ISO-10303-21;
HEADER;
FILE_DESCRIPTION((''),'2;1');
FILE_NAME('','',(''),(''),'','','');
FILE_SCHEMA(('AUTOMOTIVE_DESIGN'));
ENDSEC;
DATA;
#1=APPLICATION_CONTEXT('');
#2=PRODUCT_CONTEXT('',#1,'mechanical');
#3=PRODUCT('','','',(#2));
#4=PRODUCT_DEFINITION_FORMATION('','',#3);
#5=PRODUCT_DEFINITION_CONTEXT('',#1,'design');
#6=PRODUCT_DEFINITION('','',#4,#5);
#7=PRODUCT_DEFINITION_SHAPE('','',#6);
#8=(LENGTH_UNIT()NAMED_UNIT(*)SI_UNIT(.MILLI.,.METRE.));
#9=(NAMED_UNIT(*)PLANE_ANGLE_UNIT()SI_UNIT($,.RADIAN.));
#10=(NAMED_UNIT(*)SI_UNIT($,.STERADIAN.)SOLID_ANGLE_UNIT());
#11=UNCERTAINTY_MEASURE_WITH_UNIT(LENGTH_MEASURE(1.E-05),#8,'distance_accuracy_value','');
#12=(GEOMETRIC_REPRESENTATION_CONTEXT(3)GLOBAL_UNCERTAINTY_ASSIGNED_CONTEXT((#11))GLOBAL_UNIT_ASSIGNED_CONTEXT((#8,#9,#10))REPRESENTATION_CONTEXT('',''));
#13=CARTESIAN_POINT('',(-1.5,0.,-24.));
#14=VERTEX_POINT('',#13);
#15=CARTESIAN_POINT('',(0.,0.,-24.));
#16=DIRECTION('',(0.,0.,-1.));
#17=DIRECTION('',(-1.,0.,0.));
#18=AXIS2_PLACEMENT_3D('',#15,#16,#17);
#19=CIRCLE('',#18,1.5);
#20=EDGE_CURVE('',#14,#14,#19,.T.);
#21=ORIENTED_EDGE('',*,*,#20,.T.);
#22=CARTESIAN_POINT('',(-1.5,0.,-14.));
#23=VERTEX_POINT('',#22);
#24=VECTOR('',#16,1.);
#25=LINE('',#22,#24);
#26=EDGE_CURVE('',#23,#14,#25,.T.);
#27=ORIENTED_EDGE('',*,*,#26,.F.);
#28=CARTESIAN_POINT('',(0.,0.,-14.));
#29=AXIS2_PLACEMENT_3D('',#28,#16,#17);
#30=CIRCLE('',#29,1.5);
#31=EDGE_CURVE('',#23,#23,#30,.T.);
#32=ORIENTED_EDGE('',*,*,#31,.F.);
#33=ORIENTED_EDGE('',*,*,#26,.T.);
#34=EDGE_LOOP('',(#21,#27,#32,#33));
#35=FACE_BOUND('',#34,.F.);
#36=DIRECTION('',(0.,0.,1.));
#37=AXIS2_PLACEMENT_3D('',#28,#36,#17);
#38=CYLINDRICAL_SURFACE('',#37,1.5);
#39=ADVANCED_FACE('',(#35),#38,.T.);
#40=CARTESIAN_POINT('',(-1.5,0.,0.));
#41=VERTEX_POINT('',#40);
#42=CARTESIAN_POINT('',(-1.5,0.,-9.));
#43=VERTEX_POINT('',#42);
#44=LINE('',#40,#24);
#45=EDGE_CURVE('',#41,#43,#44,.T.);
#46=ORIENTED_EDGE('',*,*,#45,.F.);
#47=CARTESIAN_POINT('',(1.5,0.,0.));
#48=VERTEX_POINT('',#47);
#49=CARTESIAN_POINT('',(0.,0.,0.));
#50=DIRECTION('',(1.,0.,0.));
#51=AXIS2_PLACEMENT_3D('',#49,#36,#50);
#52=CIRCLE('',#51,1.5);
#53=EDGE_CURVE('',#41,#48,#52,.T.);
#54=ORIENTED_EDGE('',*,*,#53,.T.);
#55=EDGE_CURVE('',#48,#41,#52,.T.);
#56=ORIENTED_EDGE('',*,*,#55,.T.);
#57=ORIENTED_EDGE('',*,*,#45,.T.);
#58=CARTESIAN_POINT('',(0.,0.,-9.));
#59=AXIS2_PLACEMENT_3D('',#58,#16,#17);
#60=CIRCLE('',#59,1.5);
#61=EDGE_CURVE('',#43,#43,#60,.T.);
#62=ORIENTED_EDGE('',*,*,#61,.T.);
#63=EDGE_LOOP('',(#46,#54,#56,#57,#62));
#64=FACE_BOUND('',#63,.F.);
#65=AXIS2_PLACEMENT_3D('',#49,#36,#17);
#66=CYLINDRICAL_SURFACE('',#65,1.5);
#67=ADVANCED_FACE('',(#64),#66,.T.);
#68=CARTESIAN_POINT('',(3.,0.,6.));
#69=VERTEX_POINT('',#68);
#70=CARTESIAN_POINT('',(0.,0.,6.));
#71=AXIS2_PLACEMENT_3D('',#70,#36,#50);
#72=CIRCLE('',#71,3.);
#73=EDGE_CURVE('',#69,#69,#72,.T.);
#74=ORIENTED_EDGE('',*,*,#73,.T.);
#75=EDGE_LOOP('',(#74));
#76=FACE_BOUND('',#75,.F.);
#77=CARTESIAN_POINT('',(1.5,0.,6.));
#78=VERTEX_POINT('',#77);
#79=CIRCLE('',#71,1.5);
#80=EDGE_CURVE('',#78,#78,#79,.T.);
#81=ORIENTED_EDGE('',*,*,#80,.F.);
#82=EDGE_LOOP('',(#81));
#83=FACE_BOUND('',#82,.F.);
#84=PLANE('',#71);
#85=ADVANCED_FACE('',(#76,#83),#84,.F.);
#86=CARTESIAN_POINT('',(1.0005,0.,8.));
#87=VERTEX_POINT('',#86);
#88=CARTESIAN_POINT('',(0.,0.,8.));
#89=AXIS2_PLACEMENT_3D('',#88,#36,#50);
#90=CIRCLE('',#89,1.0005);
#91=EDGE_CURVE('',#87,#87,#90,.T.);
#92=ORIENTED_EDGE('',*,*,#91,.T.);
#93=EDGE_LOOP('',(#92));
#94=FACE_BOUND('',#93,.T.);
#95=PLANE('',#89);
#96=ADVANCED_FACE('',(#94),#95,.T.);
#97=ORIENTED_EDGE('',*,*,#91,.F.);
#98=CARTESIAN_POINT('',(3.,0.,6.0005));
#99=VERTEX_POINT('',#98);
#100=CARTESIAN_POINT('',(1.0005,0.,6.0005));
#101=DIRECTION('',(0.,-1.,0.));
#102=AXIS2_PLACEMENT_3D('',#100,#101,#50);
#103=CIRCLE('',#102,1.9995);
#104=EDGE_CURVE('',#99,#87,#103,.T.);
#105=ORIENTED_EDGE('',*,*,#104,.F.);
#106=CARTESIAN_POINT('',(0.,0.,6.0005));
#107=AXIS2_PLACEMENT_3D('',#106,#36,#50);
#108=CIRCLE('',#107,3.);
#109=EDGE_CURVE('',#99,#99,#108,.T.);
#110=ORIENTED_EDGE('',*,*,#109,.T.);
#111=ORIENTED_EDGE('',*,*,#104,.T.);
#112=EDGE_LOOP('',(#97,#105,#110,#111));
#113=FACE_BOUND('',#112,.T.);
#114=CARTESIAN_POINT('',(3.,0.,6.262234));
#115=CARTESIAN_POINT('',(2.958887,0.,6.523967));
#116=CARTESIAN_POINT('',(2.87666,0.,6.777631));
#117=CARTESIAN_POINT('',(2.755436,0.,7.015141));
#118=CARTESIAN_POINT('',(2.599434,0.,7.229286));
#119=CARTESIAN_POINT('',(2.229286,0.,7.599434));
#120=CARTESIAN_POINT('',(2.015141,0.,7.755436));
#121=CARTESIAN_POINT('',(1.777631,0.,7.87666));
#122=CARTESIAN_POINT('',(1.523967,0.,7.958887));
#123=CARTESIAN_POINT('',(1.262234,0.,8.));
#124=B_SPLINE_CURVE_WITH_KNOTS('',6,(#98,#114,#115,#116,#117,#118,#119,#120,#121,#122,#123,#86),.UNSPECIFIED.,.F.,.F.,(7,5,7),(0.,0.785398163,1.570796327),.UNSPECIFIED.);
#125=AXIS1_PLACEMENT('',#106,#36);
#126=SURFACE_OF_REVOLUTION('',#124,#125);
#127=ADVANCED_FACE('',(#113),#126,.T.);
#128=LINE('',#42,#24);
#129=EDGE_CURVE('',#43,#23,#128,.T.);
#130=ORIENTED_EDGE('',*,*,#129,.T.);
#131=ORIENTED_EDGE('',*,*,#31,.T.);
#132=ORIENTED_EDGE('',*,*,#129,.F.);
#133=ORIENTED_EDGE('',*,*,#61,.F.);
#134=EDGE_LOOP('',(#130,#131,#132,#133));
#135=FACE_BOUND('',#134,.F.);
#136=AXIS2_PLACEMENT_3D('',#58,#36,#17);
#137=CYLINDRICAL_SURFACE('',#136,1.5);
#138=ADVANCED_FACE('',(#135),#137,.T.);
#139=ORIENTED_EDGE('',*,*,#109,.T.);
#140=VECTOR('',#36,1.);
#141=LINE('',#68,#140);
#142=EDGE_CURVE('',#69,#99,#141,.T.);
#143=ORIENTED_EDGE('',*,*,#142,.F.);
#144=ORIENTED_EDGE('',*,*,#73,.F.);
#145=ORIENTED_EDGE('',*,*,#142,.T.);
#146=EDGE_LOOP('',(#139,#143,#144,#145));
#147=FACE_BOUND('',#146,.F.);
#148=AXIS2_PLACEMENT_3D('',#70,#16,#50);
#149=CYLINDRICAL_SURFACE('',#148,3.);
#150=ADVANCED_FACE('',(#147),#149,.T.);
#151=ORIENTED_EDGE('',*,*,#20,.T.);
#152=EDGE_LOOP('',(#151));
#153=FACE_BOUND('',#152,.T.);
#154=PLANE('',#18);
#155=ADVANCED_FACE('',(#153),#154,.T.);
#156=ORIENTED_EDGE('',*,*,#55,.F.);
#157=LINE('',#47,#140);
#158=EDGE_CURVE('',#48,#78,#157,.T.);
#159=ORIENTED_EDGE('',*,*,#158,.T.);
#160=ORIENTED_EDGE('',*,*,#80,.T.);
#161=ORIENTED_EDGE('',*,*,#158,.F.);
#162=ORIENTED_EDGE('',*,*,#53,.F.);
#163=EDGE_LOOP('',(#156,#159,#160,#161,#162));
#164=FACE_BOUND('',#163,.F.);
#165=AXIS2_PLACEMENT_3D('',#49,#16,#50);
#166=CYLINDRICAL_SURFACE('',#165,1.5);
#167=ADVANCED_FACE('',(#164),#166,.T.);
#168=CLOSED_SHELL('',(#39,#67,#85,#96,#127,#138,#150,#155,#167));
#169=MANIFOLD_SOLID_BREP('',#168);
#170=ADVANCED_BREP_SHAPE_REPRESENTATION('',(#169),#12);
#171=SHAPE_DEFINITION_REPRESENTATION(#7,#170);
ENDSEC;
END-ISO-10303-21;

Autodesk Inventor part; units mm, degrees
ref_plane "YZ Plane" through (0, 0, 0) normal (1, 0, 0) x (0, 1, 0)
ref_plane "XZ Plane" through (0, 0, 0) normal (0, 1, 0) x (-1, 0, 0)
ref_plane "XY Plane" through (0, 0, 0) normal (0, 0, 1) x (1, 0, 0)
sketch "スケッチ1" plane through (0, 0, 0) normal (0, 0, 1) x (1, 0, 0)
  circle A0 centre (0, 0) radius 1.5
  dimension "d0" = 3
extrude "押し出し1" add sketch "スケッチ1" along normal blind 6
sketch "スケッチ2" plane through (0, 0, 6) normal (0, 0, 1) x (1, 0, 0)
  circle A0 centre (0, 0) radius 1.5 projected
  circle A1 centre (0, 0) radius 3
  dimension "d3" = 6
extrude "押し出し2" add sketch "スケッチ2" along normal blind 2 contours A0 | A1
fillet "フィレット1" radius 2 1 edges at (-3, 0, 8)
thread "ねじ1" size "M3x0.5" class "6g" standard "ANSI Metric M Profile" full length
sketch "スケッチ3" plane through (0, 0, 0) normal (0, 0, -1) x (-1, 0, 0)
  circle A0 centre (0, 0) radius 1.5 projected
extrude "押し出し3" add sketch "スケッチ3" along normal blind 9
sketch "スケッチ4" plane through (0, 0, -9) normal (0, 0, -1) x (-1, 0, 0)
  circle A0 centre (0, 0) radius 1.5 projected
extrude "押し出し4" add sketch "スケッチ4" along normal blind 5
sketch "スケッチ5" plane through (0, 0, -14) normal (0, 0, -1) x (-1, 0, 0)
  circle A0 centre (0, 0) radius 1.5
  dimension "d13" = 3
extrude "押し出し5" add sketch "スケッチ5" along normal blind 10
properties part number "SB　30mmなべネジ" material "Steel, Mild"
